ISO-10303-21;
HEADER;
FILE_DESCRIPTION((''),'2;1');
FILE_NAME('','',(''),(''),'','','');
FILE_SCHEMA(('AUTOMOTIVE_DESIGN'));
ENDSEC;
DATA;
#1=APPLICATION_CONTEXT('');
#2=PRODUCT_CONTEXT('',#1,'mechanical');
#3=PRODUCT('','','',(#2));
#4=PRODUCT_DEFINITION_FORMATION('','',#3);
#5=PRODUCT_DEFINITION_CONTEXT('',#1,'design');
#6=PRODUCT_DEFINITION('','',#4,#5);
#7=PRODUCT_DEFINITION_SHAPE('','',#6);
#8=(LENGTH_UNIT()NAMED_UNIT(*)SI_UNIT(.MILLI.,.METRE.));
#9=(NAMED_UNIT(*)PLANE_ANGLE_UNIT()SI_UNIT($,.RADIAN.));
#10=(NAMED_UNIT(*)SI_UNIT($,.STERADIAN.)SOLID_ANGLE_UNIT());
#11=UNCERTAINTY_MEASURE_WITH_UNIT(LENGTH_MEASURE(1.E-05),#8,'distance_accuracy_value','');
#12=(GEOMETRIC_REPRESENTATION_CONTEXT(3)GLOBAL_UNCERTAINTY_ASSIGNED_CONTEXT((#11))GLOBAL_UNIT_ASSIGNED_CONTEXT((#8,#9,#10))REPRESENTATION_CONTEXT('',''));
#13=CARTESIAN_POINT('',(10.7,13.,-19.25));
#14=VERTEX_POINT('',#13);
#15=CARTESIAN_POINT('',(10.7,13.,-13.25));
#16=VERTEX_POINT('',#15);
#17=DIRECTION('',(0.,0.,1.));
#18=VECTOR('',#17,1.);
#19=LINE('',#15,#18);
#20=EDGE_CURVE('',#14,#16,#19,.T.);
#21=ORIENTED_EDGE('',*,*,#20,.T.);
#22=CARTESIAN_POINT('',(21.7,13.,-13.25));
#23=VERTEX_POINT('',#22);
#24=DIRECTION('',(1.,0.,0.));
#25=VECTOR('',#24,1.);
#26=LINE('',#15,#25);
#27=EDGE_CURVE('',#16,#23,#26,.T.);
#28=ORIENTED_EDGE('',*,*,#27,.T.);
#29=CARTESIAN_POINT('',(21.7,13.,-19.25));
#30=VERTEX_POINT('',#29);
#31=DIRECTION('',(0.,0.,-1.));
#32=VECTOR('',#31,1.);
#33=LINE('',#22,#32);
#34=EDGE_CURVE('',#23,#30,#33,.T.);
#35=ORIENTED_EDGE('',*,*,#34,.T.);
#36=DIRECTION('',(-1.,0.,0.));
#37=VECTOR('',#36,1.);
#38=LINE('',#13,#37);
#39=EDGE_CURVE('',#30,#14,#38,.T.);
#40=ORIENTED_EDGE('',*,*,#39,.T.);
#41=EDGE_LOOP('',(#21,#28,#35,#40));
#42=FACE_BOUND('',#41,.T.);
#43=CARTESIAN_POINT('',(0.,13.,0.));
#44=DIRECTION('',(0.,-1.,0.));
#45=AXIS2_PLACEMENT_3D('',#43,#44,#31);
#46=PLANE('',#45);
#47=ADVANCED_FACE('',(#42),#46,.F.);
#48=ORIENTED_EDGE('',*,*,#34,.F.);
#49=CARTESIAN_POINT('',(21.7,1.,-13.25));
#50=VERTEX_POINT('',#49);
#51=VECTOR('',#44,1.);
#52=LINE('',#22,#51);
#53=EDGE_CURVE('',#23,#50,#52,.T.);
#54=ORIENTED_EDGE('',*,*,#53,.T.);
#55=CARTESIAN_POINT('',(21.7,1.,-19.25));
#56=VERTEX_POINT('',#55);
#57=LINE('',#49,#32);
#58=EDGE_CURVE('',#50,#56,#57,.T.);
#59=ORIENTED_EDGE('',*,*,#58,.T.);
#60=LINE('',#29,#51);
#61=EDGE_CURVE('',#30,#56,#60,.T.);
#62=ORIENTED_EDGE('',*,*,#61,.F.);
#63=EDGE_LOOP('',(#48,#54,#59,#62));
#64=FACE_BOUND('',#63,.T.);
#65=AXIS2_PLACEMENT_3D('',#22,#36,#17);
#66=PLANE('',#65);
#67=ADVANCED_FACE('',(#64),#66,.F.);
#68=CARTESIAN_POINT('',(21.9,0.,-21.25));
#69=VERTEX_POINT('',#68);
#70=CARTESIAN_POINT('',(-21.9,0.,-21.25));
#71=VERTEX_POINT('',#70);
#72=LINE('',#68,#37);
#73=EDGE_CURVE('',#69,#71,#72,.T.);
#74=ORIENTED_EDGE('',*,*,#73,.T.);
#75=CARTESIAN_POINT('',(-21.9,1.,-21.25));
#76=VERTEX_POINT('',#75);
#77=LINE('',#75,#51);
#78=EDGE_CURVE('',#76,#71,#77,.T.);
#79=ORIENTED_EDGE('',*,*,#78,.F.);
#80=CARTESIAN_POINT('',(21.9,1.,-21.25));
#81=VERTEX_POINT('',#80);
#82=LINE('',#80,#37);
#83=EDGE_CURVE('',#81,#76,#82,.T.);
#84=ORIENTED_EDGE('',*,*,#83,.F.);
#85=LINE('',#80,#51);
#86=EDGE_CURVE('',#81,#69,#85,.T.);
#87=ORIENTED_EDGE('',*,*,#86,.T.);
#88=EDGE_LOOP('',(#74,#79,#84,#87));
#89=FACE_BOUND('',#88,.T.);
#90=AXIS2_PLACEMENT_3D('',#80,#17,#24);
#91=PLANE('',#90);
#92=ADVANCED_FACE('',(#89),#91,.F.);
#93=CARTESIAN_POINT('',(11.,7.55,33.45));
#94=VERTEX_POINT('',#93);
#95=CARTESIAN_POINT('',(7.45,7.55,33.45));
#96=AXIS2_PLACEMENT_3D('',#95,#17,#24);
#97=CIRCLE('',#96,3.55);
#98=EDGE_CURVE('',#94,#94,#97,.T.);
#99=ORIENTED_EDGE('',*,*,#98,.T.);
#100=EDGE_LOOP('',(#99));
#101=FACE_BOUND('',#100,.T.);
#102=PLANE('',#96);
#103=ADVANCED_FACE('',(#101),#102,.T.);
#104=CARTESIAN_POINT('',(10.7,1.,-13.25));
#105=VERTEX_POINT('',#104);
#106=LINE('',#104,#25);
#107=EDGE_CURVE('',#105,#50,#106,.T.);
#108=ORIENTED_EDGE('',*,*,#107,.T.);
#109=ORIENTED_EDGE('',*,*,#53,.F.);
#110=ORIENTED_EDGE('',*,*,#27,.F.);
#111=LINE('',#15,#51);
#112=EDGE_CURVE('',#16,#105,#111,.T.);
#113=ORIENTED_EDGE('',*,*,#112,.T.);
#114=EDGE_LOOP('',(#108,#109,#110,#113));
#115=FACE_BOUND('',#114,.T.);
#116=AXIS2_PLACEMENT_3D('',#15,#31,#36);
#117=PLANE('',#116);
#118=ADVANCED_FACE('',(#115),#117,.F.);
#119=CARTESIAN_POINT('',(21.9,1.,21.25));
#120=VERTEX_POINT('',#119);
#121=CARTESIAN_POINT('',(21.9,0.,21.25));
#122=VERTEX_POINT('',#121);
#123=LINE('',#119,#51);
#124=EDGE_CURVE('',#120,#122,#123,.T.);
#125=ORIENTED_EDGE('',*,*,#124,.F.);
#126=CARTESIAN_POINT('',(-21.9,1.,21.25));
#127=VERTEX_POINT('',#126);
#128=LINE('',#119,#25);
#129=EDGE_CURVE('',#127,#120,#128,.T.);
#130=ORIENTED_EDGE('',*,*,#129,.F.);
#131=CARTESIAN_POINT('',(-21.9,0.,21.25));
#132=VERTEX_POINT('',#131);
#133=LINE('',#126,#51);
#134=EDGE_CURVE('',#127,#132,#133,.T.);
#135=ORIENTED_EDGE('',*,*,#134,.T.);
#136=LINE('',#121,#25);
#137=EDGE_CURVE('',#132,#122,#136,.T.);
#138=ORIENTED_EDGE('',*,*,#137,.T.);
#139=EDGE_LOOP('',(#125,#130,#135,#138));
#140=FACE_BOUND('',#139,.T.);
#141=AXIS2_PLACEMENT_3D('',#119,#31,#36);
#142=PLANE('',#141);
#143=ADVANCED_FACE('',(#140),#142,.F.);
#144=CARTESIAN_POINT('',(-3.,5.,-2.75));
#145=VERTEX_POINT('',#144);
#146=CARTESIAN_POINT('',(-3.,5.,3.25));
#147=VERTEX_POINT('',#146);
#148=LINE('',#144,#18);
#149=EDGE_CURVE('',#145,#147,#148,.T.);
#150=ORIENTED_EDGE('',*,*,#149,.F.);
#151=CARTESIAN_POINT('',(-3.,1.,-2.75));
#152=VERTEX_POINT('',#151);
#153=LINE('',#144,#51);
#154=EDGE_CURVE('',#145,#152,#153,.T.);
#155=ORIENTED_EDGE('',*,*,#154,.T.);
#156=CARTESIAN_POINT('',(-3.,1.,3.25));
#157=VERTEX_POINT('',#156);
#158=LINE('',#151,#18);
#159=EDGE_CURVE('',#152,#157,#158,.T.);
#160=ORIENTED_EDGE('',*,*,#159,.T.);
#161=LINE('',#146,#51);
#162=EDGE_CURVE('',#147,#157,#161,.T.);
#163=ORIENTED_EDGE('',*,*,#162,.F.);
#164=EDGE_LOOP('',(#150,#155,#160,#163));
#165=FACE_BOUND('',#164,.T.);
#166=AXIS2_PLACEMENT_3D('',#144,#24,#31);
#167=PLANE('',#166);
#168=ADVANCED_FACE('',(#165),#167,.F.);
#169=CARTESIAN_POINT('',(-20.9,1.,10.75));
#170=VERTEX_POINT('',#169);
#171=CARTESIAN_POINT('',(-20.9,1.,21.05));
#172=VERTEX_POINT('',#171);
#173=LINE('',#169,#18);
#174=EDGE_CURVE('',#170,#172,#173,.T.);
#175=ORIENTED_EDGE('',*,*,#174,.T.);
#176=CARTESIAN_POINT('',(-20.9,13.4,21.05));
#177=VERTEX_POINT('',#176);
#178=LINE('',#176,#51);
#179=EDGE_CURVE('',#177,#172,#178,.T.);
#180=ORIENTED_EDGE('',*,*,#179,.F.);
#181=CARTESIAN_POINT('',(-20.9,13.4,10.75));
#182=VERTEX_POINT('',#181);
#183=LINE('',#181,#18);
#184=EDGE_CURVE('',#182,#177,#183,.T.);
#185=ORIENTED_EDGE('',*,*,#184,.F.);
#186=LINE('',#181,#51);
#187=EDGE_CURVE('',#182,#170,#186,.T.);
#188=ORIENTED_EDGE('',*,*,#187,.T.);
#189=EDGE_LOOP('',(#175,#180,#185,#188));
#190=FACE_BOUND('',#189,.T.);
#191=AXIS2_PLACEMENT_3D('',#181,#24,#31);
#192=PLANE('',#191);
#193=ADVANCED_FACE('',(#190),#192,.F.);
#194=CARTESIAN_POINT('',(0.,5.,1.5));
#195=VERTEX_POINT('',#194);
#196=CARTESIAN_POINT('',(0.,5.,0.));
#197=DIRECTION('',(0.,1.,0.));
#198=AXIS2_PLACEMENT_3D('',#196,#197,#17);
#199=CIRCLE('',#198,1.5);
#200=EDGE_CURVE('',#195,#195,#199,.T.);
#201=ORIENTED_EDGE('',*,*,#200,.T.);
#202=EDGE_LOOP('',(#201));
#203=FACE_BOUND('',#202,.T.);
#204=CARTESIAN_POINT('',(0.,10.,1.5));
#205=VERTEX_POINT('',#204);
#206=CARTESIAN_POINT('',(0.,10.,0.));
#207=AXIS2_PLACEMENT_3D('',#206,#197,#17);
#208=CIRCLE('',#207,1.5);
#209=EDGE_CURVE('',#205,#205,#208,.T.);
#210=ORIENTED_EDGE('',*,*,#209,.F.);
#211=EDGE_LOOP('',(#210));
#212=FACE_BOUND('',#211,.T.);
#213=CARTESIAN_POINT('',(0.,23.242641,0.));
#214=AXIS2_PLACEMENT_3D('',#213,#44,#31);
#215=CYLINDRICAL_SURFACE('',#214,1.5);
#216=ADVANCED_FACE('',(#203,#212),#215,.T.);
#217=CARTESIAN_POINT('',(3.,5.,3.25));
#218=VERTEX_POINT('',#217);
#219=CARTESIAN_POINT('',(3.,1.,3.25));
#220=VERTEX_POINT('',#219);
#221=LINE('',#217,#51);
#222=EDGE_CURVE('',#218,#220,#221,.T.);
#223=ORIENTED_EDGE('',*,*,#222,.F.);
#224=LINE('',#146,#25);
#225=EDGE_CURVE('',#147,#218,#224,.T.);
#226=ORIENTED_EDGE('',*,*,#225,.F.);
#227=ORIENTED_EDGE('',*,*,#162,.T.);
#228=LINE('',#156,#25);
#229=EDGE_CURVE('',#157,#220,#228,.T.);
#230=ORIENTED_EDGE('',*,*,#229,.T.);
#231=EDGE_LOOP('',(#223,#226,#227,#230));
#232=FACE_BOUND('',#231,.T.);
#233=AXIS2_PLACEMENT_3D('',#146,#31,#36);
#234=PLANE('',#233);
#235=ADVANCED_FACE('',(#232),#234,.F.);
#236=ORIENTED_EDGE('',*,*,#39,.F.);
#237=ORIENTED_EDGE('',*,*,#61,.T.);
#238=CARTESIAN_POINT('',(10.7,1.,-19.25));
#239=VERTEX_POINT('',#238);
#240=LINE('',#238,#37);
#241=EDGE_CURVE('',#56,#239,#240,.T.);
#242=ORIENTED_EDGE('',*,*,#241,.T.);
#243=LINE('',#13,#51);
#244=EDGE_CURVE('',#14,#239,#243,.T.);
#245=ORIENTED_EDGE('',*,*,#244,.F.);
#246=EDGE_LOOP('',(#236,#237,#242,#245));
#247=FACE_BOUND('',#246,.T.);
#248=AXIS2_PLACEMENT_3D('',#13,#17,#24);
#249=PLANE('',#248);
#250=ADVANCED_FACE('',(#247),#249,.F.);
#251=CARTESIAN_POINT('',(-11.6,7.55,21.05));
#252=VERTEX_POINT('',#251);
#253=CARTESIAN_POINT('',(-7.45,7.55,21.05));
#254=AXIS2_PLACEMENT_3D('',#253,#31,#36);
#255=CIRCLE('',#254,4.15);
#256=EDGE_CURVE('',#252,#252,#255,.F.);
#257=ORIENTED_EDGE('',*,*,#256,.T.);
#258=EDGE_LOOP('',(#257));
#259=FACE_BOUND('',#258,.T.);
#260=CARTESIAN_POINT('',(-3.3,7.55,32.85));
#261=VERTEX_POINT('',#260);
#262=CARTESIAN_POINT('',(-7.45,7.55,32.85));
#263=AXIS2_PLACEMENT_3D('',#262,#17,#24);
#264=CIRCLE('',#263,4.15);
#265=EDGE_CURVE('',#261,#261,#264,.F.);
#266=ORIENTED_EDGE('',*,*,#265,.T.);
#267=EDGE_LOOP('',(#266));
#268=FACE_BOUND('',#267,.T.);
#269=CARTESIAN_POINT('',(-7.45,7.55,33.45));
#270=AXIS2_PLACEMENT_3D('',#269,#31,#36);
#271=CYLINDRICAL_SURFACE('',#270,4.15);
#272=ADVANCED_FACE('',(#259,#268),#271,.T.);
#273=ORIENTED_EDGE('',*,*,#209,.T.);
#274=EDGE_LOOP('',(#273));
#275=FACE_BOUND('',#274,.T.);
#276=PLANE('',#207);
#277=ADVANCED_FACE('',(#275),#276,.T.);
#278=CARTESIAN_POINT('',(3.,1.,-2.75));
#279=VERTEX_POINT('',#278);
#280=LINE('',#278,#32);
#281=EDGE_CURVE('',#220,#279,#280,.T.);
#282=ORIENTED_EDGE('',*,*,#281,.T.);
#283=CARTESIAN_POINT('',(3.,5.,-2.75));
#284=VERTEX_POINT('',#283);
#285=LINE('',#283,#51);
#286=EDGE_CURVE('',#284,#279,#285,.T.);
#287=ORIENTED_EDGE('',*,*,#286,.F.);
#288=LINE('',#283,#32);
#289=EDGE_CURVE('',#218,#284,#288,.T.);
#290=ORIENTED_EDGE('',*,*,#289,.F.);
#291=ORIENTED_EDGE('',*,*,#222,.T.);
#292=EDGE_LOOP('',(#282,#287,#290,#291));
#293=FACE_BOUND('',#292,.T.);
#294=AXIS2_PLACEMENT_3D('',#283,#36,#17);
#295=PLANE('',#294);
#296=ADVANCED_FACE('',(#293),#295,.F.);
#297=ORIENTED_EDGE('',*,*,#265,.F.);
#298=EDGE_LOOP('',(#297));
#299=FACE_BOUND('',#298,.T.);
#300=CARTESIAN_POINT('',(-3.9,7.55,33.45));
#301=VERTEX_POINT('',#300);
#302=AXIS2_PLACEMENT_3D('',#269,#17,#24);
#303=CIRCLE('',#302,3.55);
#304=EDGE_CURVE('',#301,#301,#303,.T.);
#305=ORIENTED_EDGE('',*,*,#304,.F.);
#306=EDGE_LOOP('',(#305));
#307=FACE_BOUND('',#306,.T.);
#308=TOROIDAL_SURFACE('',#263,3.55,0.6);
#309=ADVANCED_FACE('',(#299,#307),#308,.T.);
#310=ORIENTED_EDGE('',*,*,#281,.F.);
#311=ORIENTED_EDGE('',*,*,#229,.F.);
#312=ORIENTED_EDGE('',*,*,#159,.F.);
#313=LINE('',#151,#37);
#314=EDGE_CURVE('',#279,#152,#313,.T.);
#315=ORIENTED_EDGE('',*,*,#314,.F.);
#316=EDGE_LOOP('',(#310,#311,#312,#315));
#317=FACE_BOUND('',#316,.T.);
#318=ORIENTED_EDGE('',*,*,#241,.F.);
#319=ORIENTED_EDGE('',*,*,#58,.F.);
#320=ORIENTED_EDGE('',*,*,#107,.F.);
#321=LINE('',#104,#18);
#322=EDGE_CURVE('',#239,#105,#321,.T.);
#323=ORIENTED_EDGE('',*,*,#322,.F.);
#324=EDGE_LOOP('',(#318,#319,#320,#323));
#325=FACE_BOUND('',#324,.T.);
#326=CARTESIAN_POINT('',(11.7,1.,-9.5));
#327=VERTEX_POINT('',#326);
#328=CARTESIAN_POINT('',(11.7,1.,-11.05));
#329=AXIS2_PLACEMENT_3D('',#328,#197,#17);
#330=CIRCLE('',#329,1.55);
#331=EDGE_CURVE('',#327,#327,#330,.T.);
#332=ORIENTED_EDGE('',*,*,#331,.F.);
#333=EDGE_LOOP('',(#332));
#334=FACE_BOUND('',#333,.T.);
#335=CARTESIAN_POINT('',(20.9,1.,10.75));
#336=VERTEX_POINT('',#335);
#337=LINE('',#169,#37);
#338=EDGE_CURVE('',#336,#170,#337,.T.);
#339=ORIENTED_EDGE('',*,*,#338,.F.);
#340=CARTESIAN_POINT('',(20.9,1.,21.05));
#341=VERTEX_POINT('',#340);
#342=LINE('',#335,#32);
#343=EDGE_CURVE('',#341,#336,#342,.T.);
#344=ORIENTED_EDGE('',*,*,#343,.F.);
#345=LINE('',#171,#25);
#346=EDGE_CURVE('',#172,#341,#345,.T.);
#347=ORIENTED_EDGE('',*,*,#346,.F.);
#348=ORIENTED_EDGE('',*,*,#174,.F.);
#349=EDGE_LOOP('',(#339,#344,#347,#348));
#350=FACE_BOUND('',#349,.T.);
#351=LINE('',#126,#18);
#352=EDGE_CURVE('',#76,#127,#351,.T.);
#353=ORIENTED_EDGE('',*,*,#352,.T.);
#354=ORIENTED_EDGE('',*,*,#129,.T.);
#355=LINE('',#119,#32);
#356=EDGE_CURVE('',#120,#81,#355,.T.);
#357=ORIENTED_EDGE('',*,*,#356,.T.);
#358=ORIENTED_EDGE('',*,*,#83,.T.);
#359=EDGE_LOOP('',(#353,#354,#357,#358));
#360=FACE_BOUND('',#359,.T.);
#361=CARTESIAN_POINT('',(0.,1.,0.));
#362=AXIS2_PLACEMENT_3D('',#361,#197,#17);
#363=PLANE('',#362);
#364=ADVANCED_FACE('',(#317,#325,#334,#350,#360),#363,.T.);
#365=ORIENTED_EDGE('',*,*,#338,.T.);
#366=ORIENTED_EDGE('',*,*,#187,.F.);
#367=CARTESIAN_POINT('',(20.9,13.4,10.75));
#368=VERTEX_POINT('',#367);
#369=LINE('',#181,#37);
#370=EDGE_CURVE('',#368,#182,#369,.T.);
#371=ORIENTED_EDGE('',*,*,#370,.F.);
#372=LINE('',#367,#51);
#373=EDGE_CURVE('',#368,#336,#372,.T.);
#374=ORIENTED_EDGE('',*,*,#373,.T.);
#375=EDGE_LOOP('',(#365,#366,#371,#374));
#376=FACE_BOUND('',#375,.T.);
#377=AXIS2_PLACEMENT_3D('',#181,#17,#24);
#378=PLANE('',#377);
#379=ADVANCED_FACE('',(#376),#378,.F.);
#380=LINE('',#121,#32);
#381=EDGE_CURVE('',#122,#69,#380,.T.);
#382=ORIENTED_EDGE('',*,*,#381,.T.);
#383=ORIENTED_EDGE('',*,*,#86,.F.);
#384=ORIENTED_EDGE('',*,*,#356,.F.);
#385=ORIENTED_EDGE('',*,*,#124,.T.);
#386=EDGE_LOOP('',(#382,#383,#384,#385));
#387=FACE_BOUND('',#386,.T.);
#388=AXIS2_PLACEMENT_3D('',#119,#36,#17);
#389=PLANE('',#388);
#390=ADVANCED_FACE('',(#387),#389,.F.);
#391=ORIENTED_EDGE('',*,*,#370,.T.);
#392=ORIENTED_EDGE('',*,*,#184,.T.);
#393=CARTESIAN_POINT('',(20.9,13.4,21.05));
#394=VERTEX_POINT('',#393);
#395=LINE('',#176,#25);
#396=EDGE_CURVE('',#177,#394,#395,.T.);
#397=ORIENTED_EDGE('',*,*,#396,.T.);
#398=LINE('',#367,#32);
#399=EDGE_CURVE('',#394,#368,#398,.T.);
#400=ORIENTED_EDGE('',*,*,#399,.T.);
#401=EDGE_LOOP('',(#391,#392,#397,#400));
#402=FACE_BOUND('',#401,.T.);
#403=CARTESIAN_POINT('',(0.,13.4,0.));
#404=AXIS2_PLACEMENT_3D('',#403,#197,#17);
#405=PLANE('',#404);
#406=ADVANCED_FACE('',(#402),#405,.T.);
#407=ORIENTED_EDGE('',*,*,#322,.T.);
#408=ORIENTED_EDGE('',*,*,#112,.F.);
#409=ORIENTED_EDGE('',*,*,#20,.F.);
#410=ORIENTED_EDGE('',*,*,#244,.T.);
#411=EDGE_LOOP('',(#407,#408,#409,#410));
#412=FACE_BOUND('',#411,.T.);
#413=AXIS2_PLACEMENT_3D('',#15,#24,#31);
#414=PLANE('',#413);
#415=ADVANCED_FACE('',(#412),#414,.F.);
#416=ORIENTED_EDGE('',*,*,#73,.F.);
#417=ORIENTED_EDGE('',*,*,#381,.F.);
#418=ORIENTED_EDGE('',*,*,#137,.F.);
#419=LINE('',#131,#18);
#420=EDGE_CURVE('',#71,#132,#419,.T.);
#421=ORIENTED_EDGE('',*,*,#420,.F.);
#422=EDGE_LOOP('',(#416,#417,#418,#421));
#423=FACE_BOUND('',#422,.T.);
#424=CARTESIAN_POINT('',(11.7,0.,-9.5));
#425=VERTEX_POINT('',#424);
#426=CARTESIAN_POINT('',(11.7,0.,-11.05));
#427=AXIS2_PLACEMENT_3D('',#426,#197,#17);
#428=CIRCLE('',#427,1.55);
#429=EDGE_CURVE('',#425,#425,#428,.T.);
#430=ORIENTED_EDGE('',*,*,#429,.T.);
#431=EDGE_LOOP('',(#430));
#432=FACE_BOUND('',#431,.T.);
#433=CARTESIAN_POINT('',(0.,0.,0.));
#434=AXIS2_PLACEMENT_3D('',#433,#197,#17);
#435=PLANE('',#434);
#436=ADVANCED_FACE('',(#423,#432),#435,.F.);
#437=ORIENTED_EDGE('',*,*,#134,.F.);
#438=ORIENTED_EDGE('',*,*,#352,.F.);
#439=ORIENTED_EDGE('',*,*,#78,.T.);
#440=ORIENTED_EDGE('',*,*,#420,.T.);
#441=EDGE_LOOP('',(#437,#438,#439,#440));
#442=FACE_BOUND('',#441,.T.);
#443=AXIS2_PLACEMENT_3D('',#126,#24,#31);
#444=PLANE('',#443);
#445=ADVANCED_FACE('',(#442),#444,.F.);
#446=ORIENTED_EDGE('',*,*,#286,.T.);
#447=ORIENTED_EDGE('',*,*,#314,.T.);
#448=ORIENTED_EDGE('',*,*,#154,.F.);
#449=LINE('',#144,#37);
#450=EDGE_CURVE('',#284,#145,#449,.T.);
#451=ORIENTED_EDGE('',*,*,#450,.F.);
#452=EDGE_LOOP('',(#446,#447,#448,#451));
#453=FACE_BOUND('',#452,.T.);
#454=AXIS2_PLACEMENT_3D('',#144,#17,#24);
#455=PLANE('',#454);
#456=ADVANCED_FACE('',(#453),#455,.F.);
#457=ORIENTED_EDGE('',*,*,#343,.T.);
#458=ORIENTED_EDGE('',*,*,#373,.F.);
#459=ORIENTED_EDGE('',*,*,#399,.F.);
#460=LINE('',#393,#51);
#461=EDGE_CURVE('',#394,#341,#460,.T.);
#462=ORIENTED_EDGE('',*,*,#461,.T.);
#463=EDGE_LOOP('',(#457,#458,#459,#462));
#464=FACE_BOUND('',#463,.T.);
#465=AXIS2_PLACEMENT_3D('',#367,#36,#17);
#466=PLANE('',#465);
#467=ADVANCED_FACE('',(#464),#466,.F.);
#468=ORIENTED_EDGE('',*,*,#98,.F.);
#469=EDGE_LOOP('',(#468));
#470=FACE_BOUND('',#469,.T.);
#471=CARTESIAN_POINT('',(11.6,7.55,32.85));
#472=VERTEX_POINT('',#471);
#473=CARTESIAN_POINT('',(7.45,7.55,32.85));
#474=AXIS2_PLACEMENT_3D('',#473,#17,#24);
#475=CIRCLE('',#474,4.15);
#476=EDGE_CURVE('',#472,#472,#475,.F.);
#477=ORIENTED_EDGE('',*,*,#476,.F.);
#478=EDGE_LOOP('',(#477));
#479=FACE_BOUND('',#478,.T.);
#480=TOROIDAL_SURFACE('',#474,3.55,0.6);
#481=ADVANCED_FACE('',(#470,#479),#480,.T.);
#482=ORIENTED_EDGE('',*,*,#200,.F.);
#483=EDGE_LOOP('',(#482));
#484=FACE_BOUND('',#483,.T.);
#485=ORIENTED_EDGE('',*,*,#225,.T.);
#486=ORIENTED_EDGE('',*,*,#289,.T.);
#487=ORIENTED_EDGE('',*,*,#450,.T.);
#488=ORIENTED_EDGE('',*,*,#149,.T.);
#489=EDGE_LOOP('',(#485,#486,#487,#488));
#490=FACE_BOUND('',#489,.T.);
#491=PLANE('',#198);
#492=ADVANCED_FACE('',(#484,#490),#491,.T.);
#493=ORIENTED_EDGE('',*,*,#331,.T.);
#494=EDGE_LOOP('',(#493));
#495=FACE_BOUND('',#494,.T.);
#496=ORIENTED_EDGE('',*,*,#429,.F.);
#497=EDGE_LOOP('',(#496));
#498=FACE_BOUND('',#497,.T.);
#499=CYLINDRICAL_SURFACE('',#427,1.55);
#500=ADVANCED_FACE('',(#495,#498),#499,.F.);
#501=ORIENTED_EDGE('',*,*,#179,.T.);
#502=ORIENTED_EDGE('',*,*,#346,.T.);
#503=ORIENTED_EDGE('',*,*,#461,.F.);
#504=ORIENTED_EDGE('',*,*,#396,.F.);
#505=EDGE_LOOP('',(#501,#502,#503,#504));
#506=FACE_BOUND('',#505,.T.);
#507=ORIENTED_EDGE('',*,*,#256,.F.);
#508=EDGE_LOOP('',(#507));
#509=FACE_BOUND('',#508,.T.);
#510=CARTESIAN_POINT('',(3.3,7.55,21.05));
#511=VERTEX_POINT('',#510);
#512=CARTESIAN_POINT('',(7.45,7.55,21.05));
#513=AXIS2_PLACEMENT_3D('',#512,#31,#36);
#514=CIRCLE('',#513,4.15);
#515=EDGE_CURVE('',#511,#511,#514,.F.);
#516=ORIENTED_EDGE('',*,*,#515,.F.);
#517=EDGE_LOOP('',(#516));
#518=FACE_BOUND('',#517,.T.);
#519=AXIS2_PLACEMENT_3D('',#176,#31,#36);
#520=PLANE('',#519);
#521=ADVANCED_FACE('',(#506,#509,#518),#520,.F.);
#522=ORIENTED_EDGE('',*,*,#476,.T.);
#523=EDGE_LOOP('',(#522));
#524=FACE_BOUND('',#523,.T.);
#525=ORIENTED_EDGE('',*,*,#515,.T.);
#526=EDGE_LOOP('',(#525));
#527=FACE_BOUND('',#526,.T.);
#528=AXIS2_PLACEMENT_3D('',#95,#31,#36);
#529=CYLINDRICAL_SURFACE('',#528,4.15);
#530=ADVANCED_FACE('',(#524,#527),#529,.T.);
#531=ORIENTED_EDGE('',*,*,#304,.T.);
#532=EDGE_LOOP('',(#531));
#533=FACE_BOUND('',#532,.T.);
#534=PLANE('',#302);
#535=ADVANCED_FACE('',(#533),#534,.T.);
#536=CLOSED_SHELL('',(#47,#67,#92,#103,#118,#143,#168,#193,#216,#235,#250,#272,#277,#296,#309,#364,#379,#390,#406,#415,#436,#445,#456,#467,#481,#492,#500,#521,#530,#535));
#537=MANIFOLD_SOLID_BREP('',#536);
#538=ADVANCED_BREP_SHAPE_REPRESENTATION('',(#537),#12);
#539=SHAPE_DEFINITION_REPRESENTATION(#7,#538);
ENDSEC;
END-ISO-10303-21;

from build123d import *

# Parameters (mm, degrees)
SKETCH1_W           = 43.8
SKETCH1_H           = 42.5
BOSS_EXTRUDE1_DEPTH = 1
SKETCH2_W           = 41.8
SKETCH2_H           = 10.3
BOSS_EXTRUDE2_DEPTH = 12.4
SKETCH3_R           = 4.15
BOSS_EXTRUDE3_DEPTH = 12.4
SKETCH4_W           = 11
SKETCH4_H           = 6
BOSS_EXTRUDE4_DEPTH = 12
SKETCH5_W           = 6
SKETCH5_H           = 6
BOSS_EXTRUDE5_DEPTH = 4
SKETCH6_R           = 1.5
BOSS_EXTRUDE6_DEPTH = 5
SKETCH7_R           = 1.55
CUT_EXTRUDE1_DEPTH  = 2
FILLET1_R           = 0.6


with BuildPart() as part:
    # Sketch1 → Boss-Extrude1 (new body)
    with BuildSketch(Plane(origin=(0, 0, 0), x_dir=(1, 0, 0), z_dir=(0, 1, 0))):
        Rectangle(SKETCH1_W, SKETCH1_H)
    extrude(amount=BOSS_EXTRUDE1_DEPTH)

    # Sketch2 → Boss-Extrude2 (add)
    with BuildSketch(Plane(origin=(0, 1, 0), x_dir=(1, 0, 0), z_dir=(0, 1, 0))):
        with Locations((0, -15.9)):
            Rectangle(SKETCH2_W, SKETCH2_H)
    extrude(amount=BOSS_EXTRUDE2_DEPTH)

    # Sketch3 → Boss-Extrude3 (add)
    with BuildSketch(Plane.XY.offset(21.05)):
        with Locations((7.45, 7.55)):
            Circle(SKETCH3_R)
        with Locations((-7.45, 7.55)):
            Circle(SKETCH3_R)
    extrude(amount=BOSS_EXTRUDE3_DEPTH)

    # Sketch4 → Boss-Extrude4 (add)
    with BuildSketch(Plane(origin=(0, 1, 0), x_dir=(1, 0, 0), z_dir=(0, 1, 0))):
        with Locations((16.2, 16.25)):
            Rectangle(SKETCH4_W, SKETCH4_H)
    extrude(amount=BOSS_EXTRUDE4_DEPTH)

    # Sketch5 → Boss-Extrude5 (add)
    with BuildSketch(Plane(origin=(0, 1, 0), x_dir=(1, 0, 0), z_dir=(0, 1, 0))):
        with Locations((0, -0.25)):
            Rectangle(SKETCH5_W, SKETCH5_H)
    extrude(amount=BOSS_EXTRUDE5_DEPTH)

    # Sketch6 → Boss-Extrude6 (add)
    with BuildSketch(Plane(origin=(0, 5, 0), x_dir=(1, 0, 0), z_dir=(0, 1, 0))):
        Circle(SKETCH6_R)
    extrude(amount=BOSS_EXTRUDE6_DEPTH)

    # Sketch7 → Cut-Extrude1 (cut, through all)
    with BuildSketch(Plane(origin=(0, 1, 0), x_dir=(1, 0, 0), z_dir=(0, 1, 0))):
        with Locations((11.7, 11.05)):
            Circle(SKETCH7_R)
    extrude(amount=-CUT_EXTRUDE1_DEPTH, mode=Mode.SUBTRACT)

    # Fillet1
    fillet1_edges = [part.edges().sort_by_distance(p)[0] for p in [
        (3.3, 7.55, 33.45),
        (-11.6, 7.55, 33.45),
    ]]
    fillet(fillet1_edges, radius=FILLET1_R)


solid = part.part
